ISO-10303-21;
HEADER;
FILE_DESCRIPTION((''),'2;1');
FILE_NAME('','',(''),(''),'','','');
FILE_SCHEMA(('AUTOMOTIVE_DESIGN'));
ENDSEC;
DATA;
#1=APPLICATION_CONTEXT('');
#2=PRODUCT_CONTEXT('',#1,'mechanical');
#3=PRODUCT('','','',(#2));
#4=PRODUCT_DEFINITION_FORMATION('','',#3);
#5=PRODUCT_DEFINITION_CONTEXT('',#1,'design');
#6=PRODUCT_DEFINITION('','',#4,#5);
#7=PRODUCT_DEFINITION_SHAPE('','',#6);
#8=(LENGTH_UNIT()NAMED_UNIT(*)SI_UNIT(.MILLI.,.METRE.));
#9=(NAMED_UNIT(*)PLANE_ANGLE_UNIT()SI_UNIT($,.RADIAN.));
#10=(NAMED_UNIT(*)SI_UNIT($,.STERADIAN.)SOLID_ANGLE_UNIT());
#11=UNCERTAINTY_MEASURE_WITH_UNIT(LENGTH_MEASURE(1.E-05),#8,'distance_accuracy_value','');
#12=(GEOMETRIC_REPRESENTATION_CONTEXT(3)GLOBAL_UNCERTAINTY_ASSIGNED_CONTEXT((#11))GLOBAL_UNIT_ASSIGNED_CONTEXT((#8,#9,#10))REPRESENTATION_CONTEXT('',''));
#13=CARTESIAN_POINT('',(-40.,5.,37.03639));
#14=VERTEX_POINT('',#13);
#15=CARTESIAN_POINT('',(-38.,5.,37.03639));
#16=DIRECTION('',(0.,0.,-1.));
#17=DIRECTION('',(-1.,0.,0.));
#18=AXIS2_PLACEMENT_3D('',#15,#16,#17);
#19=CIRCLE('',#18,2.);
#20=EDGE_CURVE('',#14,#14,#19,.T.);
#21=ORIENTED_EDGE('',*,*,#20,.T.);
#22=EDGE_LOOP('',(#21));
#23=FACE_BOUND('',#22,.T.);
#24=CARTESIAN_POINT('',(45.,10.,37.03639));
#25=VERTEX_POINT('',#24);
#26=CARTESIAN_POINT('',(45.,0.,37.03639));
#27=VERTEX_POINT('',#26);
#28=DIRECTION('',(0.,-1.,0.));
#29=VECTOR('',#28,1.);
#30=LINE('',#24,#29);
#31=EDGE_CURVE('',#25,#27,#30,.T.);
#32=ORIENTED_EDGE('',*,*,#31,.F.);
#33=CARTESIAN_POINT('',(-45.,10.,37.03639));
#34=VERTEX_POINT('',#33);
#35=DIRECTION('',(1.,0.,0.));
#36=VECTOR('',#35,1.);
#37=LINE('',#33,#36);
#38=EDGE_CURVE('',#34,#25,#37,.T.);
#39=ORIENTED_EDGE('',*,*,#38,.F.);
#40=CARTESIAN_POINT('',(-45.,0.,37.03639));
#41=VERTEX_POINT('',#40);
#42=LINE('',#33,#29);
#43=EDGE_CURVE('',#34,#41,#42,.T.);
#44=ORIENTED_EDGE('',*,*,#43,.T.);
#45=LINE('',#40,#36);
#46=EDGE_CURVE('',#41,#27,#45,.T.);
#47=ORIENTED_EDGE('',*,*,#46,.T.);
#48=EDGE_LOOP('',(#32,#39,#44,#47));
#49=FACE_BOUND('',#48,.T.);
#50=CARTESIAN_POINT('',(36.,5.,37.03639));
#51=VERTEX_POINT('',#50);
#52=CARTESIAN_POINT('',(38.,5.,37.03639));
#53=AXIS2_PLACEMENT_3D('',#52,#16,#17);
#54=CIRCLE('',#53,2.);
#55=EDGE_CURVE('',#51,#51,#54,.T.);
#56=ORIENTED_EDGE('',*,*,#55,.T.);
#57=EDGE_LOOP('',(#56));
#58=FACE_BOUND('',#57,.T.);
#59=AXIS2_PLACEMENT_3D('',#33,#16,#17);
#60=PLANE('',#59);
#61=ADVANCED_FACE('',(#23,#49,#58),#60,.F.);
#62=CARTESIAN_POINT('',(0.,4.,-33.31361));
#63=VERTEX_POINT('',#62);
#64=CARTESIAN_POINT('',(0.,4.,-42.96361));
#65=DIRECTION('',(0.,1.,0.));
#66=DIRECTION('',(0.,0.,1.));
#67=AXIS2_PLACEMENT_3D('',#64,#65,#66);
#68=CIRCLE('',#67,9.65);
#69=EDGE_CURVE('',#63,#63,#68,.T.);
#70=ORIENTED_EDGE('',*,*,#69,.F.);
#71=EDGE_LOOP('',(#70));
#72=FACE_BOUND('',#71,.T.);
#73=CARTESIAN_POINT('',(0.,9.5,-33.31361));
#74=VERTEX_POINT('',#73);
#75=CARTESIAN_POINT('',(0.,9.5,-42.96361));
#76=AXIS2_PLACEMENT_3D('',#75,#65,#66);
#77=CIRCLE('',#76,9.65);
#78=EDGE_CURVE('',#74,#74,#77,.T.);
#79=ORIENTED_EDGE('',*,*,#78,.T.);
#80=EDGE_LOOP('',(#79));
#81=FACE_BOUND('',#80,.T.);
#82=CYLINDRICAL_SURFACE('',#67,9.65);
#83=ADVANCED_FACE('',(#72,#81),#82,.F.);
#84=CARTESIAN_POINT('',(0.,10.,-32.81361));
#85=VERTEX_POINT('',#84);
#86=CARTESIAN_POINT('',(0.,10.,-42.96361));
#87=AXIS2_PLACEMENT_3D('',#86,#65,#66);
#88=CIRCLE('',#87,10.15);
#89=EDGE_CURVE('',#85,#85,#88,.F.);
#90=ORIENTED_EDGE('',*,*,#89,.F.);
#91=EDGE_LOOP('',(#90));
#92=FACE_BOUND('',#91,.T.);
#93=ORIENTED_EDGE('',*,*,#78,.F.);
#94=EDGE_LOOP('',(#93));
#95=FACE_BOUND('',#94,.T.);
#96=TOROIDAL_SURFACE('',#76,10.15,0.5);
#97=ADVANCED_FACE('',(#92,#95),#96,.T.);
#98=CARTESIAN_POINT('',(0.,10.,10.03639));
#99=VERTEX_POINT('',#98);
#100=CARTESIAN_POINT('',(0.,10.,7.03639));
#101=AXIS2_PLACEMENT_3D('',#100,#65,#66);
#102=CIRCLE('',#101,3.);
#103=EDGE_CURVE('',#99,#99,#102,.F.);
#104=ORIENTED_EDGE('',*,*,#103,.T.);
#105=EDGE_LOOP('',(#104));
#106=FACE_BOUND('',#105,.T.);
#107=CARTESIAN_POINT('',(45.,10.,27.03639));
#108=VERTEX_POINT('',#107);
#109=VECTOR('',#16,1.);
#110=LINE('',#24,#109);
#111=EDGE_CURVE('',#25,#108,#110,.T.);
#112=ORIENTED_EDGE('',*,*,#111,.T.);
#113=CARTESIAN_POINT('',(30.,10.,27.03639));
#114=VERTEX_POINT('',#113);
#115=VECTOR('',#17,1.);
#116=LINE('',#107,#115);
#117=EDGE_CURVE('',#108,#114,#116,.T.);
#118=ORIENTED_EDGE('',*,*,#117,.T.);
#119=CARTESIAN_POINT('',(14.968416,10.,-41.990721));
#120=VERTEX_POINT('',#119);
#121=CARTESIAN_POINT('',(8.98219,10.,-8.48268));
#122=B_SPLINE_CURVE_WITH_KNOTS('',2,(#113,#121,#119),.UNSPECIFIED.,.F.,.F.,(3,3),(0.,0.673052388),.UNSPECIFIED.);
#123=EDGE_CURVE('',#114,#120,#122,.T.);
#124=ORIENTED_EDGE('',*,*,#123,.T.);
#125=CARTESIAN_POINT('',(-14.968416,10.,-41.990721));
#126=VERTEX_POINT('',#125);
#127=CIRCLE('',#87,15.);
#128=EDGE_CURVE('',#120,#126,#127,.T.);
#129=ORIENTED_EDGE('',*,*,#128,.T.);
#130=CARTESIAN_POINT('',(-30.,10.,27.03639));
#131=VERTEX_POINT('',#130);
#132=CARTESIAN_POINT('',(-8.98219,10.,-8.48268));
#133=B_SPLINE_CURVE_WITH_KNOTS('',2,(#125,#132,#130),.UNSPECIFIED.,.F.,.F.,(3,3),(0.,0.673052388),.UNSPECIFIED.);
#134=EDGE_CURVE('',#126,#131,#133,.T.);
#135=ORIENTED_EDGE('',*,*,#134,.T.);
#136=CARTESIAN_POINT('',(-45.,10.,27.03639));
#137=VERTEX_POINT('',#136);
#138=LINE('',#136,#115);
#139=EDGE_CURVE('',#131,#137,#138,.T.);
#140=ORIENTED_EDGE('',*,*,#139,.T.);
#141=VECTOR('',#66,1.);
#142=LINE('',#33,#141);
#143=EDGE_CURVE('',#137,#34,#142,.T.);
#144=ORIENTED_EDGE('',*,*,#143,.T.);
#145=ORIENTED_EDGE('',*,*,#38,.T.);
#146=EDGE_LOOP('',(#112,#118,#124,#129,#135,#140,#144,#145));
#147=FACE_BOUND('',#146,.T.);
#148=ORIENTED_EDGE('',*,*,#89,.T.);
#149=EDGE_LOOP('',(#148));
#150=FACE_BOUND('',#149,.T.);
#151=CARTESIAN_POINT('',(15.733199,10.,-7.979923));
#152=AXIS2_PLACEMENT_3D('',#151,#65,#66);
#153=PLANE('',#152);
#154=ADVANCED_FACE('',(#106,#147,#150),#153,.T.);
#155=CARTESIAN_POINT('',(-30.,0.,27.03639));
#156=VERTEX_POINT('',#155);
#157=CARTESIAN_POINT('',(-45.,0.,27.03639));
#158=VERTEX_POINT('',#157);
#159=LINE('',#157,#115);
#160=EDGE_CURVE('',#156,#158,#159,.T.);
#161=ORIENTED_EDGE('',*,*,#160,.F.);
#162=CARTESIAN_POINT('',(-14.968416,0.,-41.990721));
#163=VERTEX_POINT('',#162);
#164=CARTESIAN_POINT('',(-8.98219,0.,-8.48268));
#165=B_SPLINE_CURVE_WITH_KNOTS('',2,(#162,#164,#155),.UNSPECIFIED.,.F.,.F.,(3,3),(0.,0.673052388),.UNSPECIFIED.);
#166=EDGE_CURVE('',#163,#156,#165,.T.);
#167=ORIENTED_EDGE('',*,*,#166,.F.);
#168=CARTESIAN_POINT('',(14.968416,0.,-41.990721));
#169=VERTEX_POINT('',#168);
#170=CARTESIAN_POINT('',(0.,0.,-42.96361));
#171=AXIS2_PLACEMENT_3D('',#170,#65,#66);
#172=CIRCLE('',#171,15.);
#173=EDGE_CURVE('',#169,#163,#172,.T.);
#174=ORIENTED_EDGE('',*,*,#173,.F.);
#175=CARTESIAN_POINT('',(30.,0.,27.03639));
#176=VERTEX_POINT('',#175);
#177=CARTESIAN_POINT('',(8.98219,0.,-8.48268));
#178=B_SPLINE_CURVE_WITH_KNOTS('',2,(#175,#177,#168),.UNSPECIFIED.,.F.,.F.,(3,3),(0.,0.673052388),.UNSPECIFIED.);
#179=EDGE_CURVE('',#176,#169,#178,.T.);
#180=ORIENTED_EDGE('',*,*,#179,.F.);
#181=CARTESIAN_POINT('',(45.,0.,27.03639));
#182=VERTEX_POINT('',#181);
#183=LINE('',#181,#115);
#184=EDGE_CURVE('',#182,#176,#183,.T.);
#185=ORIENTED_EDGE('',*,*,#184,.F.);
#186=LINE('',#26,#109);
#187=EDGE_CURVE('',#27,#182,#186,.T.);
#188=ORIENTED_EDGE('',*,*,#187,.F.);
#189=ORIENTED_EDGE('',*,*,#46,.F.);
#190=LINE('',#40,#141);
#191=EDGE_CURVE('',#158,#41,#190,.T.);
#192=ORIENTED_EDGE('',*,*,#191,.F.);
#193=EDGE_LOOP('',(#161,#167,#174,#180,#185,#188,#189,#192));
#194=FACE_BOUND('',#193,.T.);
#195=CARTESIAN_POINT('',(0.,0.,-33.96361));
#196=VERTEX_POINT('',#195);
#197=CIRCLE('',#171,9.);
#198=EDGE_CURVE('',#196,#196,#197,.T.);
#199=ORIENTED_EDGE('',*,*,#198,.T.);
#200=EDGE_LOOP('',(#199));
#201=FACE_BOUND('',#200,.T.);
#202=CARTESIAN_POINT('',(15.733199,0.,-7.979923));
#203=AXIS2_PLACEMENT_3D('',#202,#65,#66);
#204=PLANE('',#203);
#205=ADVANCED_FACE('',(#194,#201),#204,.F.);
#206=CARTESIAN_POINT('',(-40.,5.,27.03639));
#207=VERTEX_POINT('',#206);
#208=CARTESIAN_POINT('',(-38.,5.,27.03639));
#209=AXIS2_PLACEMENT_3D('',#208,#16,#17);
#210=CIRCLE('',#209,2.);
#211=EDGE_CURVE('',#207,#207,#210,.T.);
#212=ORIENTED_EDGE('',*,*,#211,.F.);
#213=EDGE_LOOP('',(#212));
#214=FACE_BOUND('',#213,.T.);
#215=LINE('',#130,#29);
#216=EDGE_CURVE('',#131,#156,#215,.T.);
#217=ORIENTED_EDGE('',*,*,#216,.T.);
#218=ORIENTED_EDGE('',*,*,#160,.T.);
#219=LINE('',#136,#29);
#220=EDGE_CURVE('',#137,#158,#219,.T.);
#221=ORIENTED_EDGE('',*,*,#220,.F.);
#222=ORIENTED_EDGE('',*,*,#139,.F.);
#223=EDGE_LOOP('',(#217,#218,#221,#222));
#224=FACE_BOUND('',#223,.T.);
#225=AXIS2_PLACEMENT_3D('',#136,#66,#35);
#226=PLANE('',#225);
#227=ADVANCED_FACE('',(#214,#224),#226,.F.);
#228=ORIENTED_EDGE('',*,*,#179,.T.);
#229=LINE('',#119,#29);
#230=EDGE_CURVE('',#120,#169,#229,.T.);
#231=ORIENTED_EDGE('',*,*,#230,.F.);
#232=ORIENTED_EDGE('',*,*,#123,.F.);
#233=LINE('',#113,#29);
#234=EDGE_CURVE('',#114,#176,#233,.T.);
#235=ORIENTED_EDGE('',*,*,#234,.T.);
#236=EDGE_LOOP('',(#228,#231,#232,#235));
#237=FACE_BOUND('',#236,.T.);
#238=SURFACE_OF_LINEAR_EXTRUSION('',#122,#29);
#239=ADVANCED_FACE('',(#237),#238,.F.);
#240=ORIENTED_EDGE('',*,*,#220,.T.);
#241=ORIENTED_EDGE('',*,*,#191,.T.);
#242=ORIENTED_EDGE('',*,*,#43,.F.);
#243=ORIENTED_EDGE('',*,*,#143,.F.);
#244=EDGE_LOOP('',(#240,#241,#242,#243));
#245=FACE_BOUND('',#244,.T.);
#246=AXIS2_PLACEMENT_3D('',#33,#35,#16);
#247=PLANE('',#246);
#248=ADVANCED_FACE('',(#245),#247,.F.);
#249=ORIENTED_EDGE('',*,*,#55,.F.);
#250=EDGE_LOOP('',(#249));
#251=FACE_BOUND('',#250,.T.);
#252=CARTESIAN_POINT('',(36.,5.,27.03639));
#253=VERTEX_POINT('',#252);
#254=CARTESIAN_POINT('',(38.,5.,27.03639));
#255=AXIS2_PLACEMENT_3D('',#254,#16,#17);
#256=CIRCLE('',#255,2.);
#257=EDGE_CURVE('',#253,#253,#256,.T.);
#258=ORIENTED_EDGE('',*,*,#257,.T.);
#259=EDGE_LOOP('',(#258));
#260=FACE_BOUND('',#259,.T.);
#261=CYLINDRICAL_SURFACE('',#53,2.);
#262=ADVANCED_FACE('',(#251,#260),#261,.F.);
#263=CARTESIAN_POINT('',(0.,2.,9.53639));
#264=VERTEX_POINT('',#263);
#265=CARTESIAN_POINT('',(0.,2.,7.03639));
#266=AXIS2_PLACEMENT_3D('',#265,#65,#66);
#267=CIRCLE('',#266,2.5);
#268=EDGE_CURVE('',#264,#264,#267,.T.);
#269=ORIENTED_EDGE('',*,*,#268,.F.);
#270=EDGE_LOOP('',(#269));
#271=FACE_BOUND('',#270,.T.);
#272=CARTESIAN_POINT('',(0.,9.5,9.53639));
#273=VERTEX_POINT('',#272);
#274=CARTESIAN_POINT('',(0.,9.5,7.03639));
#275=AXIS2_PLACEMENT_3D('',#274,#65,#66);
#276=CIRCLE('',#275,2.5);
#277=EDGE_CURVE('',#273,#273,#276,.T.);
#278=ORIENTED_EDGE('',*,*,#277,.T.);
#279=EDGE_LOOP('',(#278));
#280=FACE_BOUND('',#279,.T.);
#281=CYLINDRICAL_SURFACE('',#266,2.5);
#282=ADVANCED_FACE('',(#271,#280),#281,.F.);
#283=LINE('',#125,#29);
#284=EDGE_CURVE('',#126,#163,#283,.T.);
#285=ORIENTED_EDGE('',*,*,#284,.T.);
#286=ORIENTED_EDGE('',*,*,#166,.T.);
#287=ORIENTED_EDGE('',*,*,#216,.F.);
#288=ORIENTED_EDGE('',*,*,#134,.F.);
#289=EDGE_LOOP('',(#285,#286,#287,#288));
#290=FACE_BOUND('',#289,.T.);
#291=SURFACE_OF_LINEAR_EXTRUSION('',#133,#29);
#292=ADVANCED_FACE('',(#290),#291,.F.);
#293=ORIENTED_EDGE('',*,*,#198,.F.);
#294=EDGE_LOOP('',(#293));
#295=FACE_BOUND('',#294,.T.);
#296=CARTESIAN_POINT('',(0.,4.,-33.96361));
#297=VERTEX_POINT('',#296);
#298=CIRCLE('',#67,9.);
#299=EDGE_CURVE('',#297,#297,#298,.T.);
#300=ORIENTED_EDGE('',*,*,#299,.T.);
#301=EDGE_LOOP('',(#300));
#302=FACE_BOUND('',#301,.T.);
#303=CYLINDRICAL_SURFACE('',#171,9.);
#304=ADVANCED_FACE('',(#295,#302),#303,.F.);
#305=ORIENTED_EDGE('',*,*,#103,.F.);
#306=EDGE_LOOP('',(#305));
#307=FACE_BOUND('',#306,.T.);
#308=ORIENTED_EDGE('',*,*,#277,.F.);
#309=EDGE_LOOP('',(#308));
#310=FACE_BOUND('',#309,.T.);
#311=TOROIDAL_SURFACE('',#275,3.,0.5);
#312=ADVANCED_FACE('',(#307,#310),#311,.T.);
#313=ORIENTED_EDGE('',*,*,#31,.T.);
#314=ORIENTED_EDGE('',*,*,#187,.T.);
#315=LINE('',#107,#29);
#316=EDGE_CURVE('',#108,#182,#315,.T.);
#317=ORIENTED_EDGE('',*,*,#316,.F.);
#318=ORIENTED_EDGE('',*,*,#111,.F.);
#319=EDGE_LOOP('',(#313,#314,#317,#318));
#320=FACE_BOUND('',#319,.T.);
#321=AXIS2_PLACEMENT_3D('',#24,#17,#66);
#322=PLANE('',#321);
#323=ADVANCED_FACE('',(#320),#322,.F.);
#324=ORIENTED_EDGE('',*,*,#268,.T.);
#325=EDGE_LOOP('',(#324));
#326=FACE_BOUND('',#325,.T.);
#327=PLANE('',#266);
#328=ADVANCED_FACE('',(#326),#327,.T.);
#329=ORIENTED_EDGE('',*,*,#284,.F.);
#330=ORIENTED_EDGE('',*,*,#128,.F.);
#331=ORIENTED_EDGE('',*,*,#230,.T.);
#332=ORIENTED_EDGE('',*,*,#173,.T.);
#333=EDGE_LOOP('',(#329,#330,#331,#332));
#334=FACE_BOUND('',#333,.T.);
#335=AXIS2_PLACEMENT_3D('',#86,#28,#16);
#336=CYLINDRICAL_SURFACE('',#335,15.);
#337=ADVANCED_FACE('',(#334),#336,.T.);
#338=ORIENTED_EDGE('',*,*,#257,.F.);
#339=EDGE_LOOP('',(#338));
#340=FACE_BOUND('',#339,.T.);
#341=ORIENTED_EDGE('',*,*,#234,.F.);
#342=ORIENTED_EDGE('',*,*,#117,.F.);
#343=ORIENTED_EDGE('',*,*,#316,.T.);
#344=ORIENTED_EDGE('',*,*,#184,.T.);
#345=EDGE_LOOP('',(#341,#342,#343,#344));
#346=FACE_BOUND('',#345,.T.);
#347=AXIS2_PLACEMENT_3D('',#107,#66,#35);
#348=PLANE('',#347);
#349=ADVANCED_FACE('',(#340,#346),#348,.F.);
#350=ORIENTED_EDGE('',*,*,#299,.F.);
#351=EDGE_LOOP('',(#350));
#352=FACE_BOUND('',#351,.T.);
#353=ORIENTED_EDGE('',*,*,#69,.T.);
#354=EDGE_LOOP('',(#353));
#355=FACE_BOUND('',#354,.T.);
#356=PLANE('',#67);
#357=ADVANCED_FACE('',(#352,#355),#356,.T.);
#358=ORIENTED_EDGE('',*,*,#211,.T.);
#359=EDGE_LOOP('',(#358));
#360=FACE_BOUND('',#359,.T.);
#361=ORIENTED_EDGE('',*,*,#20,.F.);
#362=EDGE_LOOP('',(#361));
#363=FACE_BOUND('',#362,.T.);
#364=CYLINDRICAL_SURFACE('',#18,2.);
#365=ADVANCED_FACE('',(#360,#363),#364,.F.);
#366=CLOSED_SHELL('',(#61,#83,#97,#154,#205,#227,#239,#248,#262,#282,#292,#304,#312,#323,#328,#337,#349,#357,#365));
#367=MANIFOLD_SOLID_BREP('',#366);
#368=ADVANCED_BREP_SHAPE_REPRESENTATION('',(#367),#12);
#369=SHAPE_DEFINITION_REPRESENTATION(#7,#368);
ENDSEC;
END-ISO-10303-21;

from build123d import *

# Parameters (mm, degrees)
EXTRUDE_1_DEPTH     = 10
SKETCH_2_R          = 9.65
CUT_EXTRUDE_1_DEPTH = 6
SKETCH_3_R          = 9
CUT_EXTRUDE_2_DEPTH = 5.0000001
SKETCH_4_R          = 2
CUT_EXTRUDE_3_DEPTH = 11.0000001
SKETCH_5_R          = 2.5
CUT_EXTRUDE_4_DEPTH = 8
FILLET_1_R          = 0.5
FILLET_2_R          = 0.5


with BuildPart() as part:
    # Эскиз1 → Бобышка-Вытянуть1 (new body)
    with BuildSketch(Plane(origin=(0, 0, 0), x_dir=(1, 0, 0), z_dir=(0, 1, 0))):
        with BuildLine():
            Line((-45, -37.036390428), (45, -37.036390428))
            Line((45, -37.036390428), (45, -27.036390428))
            Line((45, -27.036390428), (30, -27.036390428))
            add(Edge.make_bspline(
                [(30, -27.036390428), (8.982189831, 8.482679734), (14.96841635, 41.990721102)],
                knots=[0, 0, 0, 0.673052388, 0.673052388, 0.673052388], degree=2))
            ThreePointArc((14.96841635, 41.990721102), (0, 57.963609572), (-14.96841635, 41.990721102))
            add(Edge.make_bspline(
                [(-30, -27.036390428), (-8.982189831, 8.482679734), (-14.96841635, 41.990721102)],
                knots=[0, 0, 0, 0.673052388, 0.673052388, 0.673052388], degree=2))
            Line((-30, -27.036390428), (-45, -27.036390428))
            Line((-45, -27.036390428), (-45, -37.036390428))
        make_face()
    extrude(amount=EXTRUDE_1_DEPTH)

    # Эскиз2 → Вырез-Вытянуть1 (cut)
    with BuildSketch(Plane(origin=(0, 10, 0), x_dir=(1, 0, 0), z_dir=(0, 1, 0))):
        with Locations((0, 42.963609572)):
            Circle(SKETCH_2_R)
    extrude(amount=-CUT_EXTRUDE_1_DEPTH, mode=Mode.SUBTRACT)

    # Эскиз3 → Вырез-Вытянуть2 (cut, through all)
    with BuildSketch(Plane(origin=(0, 4, 0), x_dir=(1, 0, 0), z_dir=(0, 1, 0))):
        with Locations((0, 42.963609572)):
            Circle(SKETCH_3_R)
    extrude(amount=-CUT_EXTRUDE_2_DEPTH, mode=Mode.SUBTRACT)

    # Эскиз4 → Вырез-Вытянуть3 (cut, through all)
    with BuildSketch(Plane(origin=(0, 0, 27.036390428), x_dir=(-1, 0, 0), z_dir=(0, 0, -1))):
        with Locations((38, 5)):
            Circle(SKETCH_4_R)
        with Locations((-38, 5)):
            Circle(SKETCH_4_R)
    extrude(amount=-CUT_EXTRUDE_3_DEPTH, mode=Mode.SUBTRACT)

    # Эскиз5 → Вырез-Вытянуть4 (cut)
    with BuildSketch(Plane(origin=(0, 10, 0), x_dir=(1, 0, 0), z_dir=(0, 1, 0))):
        with Locations((0, -7.036390428)):
            Circle(SKETCH_5_R)
    extrude(amount=-CUT_EXTRUDE_4_DEPTH, mode=Mode.SUBTRACT)

    # Скругление1
    fillet_1_edges = [part.edges().sort_by_distance(p)[0] for p in [
        (-2.5, 10, 7.036390428),
    ]]
    fillet(fillet_1_edges, radius=FILLET_1_R)

    # Скругление2
    fillet_2_edges = [part.edges().sort_by_distance(p)[0] for p in [
        (-9.65, 10, -42.963609572),
    ]]
    fillet(fillet_2_edges, radius=FILLET_2_R)


solid = part.part
